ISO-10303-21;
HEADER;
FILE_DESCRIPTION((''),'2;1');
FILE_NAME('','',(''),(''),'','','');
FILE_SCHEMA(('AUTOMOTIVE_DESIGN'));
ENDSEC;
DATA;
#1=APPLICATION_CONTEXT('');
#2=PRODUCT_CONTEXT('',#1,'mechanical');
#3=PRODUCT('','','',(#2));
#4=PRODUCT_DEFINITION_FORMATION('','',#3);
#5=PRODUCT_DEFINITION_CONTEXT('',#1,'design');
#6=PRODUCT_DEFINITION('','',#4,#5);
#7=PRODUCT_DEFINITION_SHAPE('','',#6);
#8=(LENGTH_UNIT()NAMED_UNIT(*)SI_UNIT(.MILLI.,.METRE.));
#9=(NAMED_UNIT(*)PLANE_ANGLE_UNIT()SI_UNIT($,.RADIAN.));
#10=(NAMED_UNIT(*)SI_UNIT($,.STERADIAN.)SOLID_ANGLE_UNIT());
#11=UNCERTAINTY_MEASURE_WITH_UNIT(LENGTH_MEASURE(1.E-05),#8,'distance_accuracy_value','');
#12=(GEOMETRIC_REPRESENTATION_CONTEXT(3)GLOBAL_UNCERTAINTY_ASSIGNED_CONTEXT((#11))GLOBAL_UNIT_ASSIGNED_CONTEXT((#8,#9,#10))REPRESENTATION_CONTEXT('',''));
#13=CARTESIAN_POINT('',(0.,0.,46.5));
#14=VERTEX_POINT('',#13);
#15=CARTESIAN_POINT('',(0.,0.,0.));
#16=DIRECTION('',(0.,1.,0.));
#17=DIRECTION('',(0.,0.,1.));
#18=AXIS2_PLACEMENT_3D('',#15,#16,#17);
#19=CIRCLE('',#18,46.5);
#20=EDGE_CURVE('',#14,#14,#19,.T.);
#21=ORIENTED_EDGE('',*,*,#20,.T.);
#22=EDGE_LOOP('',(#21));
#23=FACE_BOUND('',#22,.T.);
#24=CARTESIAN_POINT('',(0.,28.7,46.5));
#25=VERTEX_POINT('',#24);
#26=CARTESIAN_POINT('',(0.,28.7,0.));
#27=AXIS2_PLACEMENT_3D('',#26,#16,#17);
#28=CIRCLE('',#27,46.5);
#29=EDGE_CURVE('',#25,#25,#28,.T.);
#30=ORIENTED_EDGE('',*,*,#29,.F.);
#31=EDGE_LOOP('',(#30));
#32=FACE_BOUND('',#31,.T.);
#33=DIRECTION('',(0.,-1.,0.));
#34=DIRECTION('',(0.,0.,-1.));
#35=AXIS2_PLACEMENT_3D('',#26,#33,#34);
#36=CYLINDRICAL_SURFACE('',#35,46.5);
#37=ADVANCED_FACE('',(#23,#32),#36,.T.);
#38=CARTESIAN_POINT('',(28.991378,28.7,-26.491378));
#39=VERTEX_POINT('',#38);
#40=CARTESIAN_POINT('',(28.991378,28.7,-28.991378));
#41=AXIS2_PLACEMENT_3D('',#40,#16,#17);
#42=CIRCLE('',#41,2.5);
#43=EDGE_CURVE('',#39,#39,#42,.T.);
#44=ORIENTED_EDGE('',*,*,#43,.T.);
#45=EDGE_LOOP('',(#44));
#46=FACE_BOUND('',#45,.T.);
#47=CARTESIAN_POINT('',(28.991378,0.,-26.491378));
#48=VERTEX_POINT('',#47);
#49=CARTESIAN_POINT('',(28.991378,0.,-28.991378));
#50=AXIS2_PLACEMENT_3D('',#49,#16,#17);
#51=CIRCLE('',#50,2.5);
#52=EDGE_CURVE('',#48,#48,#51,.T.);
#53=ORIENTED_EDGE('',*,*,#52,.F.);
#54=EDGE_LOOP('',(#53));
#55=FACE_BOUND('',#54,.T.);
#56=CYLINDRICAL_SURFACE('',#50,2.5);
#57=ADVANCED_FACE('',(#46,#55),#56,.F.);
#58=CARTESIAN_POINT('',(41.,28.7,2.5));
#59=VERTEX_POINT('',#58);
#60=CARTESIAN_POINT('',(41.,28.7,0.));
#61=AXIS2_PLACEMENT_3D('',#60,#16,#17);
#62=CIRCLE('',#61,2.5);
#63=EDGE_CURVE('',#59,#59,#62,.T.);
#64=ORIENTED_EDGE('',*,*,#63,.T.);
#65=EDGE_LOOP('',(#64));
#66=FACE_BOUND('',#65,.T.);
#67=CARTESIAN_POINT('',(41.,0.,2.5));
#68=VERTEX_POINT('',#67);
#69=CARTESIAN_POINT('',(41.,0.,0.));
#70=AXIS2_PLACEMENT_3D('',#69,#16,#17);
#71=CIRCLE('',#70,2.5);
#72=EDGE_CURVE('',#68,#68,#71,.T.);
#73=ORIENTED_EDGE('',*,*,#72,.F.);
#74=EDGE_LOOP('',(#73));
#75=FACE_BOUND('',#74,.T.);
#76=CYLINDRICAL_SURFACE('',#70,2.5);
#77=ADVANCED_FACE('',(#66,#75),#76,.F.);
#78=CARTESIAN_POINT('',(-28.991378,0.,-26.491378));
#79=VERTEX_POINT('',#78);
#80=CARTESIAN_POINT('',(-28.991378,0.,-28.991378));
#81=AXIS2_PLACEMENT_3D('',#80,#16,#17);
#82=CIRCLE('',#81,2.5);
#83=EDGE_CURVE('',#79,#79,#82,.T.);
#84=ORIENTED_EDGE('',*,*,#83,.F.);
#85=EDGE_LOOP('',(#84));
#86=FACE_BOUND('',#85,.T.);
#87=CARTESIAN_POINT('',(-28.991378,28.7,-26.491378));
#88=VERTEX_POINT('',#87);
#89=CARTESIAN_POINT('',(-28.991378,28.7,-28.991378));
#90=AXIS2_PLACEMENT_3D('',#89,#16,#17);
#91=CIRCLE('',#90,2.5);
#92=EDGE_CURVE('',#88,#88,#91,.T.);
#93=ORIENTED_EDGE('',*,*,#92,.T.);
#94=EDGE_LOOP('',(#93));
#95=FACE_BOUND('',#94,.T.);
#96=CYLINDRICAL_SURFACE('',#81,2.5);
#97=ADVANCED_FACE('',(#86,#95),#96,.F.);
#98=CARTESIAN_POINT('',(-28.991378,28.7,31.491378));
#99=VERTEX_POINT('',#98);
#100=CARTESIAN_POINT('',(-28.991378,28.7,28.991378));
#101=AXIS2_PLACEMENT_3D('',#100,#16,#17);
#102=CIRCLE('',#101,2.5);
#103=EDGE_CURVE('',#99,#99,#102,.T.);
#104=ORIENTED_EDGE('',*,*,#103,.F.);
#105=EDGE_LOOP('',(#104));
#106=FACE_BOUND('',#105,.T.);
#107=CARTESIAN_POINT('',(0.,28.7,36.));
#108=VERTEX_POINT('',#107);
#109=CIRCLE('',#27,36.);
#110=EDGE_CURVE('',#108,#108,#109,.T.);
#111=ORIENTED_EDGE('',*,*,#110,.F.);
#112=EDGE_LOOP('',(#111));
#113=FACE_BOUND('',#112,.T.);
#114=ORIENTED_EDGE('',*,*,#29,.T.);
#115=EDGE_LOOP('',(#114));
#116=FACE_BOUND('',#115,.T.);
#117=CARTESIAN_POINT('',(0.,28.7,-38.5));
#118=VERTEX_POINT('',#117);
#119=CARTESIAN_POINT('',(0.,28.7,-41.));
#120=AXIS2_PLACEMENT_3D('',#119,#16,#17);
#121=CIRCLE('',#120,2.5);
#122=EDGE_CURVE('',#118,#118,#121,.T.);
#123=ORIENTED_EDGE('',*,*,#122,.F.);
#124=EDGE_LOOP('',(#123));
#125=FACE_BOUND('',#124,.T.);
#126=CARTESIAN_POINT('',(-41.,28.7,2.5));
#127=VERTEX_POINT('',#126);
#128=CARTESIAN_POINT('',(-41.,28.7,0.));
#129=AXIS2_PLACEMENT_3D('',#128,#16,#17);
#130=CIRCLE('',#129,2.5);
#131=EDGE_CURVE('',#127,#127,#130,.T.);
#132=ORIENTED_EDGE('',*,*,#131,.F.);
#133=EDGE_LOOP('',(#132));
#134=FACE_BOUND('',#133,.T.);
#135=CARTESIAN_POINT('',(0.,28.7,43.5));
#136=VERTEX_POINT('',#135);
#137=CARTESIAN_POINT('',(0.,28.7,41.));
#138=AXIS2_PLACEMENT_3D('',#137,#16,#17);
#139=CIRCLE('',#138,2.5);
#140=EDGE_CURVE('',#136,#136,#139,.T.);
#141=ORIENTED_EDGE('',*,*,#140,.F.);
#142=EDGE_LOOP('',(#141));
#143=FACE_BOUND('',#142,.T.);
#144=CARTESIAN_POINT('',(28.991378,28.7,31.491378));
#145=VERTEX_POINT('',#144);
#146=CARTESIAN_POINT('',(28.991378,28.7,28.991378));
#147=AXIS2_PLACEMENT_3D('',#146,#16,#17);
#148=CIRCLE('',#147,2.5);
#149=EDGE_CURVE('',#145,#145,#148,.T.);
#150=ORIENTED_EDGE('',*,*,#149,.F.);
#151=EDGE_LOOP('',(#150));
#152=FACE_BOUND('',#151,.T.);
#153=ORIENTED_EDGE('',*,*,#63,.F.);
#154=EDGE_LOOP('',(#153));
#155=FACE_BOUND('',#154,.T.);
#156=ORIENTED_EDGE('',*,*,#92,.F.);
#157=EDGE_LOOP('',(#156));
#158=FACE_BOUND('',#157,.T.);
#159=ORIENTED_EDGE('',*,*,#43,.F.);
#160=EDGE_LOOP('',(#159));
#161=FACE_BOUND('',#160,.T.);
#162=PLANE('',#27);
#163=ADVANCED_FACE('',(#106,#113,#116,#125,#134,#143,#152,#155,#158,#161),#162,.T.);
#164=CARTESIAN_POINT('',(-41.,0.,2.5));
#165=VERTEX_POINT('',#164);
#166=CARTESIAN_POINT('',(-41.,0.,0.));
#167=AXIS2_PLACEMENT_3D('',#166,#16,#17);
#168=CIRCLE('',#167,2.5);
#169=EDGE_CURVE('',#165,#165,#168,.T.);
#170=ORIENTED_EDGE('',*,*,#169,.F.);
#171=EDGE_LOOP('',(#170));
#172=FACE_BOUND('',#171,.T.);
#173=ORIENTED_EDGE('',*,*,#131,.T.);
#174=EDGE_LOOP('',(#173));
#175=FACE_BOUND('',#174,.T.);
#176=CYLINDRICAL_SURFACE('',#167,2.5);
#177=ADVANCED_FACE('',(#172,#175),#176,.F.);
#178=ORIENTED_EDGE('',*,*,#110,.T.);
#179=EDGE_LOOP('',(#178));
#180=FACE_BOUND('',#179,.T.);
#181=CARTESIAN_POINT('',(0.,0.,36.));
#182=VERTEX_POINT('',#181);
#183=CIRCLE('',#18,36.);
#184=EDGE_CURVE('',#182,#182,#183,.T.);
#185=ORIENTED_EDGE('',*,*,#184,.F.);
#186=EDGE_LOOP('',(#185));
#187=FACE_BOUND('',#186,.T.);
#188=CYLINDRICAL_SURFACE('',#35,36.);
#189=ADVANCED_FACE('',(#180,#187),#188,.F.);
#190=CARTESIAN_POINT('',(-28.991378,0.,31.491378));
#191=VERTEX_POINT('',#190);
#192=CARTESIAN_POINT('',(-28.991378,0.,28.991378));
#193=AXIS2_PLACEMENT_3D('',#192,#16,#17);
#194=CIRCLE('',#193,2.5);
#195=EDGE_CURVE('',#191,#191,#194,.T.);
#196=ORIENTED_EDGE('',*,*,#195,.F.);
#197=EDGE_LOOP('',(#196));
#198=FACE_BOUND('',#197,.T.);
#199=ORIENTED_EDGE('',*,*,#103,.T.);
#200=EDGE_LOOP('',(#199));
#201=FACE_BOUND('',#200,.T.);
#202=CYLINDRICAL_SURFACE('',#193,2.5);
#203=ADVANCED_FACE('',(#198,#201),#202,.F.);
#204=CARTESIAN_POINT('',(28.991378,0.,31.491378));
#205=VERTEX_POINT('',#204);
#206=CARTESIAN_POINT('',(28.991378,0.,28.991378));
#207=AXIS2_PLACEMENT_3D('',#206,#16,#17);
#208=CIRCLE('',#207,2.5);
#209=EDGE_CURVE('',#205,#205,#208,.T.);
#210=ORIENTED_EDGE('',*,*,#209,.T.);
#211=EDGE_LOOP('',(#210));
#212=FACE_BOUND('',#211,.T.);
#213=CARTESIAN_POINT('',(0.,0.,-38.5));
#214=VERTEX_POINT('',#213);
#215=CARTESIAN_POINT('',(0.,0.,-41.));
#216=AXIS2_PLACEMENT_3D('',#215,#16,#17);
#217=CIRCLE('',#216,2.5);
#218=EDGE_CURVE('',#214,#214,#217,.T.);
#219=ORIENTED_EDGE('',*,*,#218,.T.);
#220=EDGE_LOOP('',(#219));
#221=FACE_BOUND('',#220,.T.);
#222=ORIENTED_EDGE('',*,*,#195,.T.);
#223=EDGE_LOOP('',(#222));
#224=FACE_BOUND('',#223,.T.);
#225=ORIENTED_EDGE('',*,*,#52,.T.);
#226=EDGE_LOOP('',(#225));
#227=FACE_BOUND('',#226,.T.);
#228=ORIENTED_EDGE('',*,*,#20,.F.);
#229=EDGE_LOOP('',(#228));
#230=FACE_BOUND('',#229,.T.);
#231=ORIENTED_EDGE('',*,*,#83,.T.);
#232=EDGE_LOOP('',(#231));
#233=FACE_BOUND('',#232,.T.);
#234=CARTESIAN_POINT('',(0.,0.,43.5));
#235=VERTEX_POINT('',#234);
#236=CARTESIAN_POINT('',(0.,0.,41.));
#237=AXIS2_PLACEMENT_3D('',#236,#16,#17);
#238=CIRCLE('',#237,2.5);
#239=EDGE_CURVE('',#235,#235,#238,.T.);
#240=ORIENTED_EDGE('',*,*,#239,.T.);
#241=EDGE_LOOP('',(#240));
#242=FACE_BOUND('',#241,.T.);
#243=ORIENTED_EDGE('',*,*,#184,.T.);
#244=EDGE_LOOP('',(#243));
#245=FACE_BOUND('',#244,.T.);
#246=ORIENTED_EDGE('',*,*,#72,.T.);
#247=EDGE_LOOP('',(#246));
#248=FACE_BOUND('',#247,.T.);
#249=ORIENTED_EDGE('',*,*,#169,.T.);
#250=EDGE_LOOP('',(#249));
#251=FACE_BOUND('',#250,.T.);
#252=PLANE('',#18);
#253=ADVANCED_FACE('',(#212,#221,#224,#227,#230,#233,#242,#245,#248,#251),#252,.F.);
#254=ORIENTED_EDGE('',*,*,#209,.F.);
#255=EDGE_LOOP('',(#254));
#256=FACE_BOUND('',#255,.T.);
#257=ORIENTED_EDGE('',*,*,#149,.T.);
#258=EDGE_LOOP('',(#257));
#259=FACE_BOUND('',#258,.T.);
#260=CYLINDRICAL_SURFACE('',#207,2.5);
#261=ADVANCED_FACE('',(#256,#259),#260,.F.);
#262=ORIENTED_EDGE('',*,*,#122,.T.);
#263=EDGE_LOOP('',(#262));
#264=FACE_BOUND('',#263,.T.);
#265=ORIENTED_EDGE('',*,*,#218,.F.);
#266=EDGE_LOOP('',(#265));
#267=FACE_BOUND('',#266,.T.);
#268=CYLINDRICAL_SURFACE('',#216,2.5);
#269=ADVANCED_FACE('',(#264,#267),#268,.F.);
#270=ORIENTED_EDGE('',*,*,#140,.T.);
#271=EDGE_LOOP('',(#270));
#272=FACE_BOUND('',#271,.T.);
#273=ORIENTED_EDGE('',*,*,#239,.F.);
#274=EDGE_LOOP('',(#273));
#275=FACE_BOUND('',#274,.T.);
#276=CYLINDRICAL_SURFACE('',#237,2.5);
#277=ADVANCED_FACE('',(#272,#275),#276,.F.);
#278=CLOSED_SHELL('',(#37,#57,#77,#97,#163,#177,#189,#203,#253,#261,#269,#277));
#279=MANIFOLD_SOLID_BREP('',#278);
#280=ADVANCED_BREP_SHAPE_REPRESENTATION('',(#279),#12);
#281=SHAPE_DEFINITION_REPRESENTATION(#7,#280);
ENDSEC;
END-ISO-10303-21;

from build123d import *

# Parameters (mm, degrees)
SKETCH1_R           = 46.5
SKETCH1_R_2         = 36
BOSS_EXTRUDE1_DEPTH = 28.7
SKETCH2_R           = 2.5
CUT_EXTRUDE1_DEPTH  = 72.750888496


with BuildPart() as part:
    # Sketch1 → Boss-Extrude1 (new body)
    with BuildSketch(Plane(origin=(0, 0, 0), x_dir=(1, 0, 0), z_dir=(0, 1, 0))):
        with Locations(Location((0, 0, 0), (0, 0, 270))):
            Circle(SKETCH1_R)
        with Locations(Location((0, 0, 0), (0, 0, 270))):
            Circle(SKETCH1_R_2, mode=Mode.SUBTRACT)
    extrude(amount=BOSS_EXTRUDE1_DEPTH)

    # Sketch2 → Cut-Extrude1 (cut, through all)
    with BuildSketch(Plane(origin=(0, 28.7, 0), x_dir=(1, 0, 0), z_dir=(0, 1, 0))):
        with Locations(Location((0, 41, 0), (0, 0, 270))):
            Circle(SKETCH2_R)
        with Locations(Location((28.991378029, 28.991378029, 0), (0, 0, 270))):
            Circle(SKETCH2_R)
        with Locations(Location((41, 0, 0), (0, 0, 270))):
            Circle(SKETCH2_R)
        with Locations(Location((28.991378029, -28.991378029, 0), (0, 0, 270))):
            Circle(SKETCH2_R)
        with Locations(Location((0, -41, 0), (0, 0, 270))):
            Circle(SKETCH2_R)
        with Locations(Location((-28.991378029, -28.991378029, 0), (0, 0, 270))):
            Circle(SKETCH2_R)
        with Locations(Location((-41, 0, 0), (0, 0, 270))):
            Circle(SKETCH2_R)
        with Locations(Location((-28.991378029, 28.991378029, 0), (0, 0, 270))):
            Circle(SKETCH2_R)
    extrude(amount=-CUT_EXTRUDE1_DEPTH, mode=Mode.SUBTRACT)


solid = part.part
